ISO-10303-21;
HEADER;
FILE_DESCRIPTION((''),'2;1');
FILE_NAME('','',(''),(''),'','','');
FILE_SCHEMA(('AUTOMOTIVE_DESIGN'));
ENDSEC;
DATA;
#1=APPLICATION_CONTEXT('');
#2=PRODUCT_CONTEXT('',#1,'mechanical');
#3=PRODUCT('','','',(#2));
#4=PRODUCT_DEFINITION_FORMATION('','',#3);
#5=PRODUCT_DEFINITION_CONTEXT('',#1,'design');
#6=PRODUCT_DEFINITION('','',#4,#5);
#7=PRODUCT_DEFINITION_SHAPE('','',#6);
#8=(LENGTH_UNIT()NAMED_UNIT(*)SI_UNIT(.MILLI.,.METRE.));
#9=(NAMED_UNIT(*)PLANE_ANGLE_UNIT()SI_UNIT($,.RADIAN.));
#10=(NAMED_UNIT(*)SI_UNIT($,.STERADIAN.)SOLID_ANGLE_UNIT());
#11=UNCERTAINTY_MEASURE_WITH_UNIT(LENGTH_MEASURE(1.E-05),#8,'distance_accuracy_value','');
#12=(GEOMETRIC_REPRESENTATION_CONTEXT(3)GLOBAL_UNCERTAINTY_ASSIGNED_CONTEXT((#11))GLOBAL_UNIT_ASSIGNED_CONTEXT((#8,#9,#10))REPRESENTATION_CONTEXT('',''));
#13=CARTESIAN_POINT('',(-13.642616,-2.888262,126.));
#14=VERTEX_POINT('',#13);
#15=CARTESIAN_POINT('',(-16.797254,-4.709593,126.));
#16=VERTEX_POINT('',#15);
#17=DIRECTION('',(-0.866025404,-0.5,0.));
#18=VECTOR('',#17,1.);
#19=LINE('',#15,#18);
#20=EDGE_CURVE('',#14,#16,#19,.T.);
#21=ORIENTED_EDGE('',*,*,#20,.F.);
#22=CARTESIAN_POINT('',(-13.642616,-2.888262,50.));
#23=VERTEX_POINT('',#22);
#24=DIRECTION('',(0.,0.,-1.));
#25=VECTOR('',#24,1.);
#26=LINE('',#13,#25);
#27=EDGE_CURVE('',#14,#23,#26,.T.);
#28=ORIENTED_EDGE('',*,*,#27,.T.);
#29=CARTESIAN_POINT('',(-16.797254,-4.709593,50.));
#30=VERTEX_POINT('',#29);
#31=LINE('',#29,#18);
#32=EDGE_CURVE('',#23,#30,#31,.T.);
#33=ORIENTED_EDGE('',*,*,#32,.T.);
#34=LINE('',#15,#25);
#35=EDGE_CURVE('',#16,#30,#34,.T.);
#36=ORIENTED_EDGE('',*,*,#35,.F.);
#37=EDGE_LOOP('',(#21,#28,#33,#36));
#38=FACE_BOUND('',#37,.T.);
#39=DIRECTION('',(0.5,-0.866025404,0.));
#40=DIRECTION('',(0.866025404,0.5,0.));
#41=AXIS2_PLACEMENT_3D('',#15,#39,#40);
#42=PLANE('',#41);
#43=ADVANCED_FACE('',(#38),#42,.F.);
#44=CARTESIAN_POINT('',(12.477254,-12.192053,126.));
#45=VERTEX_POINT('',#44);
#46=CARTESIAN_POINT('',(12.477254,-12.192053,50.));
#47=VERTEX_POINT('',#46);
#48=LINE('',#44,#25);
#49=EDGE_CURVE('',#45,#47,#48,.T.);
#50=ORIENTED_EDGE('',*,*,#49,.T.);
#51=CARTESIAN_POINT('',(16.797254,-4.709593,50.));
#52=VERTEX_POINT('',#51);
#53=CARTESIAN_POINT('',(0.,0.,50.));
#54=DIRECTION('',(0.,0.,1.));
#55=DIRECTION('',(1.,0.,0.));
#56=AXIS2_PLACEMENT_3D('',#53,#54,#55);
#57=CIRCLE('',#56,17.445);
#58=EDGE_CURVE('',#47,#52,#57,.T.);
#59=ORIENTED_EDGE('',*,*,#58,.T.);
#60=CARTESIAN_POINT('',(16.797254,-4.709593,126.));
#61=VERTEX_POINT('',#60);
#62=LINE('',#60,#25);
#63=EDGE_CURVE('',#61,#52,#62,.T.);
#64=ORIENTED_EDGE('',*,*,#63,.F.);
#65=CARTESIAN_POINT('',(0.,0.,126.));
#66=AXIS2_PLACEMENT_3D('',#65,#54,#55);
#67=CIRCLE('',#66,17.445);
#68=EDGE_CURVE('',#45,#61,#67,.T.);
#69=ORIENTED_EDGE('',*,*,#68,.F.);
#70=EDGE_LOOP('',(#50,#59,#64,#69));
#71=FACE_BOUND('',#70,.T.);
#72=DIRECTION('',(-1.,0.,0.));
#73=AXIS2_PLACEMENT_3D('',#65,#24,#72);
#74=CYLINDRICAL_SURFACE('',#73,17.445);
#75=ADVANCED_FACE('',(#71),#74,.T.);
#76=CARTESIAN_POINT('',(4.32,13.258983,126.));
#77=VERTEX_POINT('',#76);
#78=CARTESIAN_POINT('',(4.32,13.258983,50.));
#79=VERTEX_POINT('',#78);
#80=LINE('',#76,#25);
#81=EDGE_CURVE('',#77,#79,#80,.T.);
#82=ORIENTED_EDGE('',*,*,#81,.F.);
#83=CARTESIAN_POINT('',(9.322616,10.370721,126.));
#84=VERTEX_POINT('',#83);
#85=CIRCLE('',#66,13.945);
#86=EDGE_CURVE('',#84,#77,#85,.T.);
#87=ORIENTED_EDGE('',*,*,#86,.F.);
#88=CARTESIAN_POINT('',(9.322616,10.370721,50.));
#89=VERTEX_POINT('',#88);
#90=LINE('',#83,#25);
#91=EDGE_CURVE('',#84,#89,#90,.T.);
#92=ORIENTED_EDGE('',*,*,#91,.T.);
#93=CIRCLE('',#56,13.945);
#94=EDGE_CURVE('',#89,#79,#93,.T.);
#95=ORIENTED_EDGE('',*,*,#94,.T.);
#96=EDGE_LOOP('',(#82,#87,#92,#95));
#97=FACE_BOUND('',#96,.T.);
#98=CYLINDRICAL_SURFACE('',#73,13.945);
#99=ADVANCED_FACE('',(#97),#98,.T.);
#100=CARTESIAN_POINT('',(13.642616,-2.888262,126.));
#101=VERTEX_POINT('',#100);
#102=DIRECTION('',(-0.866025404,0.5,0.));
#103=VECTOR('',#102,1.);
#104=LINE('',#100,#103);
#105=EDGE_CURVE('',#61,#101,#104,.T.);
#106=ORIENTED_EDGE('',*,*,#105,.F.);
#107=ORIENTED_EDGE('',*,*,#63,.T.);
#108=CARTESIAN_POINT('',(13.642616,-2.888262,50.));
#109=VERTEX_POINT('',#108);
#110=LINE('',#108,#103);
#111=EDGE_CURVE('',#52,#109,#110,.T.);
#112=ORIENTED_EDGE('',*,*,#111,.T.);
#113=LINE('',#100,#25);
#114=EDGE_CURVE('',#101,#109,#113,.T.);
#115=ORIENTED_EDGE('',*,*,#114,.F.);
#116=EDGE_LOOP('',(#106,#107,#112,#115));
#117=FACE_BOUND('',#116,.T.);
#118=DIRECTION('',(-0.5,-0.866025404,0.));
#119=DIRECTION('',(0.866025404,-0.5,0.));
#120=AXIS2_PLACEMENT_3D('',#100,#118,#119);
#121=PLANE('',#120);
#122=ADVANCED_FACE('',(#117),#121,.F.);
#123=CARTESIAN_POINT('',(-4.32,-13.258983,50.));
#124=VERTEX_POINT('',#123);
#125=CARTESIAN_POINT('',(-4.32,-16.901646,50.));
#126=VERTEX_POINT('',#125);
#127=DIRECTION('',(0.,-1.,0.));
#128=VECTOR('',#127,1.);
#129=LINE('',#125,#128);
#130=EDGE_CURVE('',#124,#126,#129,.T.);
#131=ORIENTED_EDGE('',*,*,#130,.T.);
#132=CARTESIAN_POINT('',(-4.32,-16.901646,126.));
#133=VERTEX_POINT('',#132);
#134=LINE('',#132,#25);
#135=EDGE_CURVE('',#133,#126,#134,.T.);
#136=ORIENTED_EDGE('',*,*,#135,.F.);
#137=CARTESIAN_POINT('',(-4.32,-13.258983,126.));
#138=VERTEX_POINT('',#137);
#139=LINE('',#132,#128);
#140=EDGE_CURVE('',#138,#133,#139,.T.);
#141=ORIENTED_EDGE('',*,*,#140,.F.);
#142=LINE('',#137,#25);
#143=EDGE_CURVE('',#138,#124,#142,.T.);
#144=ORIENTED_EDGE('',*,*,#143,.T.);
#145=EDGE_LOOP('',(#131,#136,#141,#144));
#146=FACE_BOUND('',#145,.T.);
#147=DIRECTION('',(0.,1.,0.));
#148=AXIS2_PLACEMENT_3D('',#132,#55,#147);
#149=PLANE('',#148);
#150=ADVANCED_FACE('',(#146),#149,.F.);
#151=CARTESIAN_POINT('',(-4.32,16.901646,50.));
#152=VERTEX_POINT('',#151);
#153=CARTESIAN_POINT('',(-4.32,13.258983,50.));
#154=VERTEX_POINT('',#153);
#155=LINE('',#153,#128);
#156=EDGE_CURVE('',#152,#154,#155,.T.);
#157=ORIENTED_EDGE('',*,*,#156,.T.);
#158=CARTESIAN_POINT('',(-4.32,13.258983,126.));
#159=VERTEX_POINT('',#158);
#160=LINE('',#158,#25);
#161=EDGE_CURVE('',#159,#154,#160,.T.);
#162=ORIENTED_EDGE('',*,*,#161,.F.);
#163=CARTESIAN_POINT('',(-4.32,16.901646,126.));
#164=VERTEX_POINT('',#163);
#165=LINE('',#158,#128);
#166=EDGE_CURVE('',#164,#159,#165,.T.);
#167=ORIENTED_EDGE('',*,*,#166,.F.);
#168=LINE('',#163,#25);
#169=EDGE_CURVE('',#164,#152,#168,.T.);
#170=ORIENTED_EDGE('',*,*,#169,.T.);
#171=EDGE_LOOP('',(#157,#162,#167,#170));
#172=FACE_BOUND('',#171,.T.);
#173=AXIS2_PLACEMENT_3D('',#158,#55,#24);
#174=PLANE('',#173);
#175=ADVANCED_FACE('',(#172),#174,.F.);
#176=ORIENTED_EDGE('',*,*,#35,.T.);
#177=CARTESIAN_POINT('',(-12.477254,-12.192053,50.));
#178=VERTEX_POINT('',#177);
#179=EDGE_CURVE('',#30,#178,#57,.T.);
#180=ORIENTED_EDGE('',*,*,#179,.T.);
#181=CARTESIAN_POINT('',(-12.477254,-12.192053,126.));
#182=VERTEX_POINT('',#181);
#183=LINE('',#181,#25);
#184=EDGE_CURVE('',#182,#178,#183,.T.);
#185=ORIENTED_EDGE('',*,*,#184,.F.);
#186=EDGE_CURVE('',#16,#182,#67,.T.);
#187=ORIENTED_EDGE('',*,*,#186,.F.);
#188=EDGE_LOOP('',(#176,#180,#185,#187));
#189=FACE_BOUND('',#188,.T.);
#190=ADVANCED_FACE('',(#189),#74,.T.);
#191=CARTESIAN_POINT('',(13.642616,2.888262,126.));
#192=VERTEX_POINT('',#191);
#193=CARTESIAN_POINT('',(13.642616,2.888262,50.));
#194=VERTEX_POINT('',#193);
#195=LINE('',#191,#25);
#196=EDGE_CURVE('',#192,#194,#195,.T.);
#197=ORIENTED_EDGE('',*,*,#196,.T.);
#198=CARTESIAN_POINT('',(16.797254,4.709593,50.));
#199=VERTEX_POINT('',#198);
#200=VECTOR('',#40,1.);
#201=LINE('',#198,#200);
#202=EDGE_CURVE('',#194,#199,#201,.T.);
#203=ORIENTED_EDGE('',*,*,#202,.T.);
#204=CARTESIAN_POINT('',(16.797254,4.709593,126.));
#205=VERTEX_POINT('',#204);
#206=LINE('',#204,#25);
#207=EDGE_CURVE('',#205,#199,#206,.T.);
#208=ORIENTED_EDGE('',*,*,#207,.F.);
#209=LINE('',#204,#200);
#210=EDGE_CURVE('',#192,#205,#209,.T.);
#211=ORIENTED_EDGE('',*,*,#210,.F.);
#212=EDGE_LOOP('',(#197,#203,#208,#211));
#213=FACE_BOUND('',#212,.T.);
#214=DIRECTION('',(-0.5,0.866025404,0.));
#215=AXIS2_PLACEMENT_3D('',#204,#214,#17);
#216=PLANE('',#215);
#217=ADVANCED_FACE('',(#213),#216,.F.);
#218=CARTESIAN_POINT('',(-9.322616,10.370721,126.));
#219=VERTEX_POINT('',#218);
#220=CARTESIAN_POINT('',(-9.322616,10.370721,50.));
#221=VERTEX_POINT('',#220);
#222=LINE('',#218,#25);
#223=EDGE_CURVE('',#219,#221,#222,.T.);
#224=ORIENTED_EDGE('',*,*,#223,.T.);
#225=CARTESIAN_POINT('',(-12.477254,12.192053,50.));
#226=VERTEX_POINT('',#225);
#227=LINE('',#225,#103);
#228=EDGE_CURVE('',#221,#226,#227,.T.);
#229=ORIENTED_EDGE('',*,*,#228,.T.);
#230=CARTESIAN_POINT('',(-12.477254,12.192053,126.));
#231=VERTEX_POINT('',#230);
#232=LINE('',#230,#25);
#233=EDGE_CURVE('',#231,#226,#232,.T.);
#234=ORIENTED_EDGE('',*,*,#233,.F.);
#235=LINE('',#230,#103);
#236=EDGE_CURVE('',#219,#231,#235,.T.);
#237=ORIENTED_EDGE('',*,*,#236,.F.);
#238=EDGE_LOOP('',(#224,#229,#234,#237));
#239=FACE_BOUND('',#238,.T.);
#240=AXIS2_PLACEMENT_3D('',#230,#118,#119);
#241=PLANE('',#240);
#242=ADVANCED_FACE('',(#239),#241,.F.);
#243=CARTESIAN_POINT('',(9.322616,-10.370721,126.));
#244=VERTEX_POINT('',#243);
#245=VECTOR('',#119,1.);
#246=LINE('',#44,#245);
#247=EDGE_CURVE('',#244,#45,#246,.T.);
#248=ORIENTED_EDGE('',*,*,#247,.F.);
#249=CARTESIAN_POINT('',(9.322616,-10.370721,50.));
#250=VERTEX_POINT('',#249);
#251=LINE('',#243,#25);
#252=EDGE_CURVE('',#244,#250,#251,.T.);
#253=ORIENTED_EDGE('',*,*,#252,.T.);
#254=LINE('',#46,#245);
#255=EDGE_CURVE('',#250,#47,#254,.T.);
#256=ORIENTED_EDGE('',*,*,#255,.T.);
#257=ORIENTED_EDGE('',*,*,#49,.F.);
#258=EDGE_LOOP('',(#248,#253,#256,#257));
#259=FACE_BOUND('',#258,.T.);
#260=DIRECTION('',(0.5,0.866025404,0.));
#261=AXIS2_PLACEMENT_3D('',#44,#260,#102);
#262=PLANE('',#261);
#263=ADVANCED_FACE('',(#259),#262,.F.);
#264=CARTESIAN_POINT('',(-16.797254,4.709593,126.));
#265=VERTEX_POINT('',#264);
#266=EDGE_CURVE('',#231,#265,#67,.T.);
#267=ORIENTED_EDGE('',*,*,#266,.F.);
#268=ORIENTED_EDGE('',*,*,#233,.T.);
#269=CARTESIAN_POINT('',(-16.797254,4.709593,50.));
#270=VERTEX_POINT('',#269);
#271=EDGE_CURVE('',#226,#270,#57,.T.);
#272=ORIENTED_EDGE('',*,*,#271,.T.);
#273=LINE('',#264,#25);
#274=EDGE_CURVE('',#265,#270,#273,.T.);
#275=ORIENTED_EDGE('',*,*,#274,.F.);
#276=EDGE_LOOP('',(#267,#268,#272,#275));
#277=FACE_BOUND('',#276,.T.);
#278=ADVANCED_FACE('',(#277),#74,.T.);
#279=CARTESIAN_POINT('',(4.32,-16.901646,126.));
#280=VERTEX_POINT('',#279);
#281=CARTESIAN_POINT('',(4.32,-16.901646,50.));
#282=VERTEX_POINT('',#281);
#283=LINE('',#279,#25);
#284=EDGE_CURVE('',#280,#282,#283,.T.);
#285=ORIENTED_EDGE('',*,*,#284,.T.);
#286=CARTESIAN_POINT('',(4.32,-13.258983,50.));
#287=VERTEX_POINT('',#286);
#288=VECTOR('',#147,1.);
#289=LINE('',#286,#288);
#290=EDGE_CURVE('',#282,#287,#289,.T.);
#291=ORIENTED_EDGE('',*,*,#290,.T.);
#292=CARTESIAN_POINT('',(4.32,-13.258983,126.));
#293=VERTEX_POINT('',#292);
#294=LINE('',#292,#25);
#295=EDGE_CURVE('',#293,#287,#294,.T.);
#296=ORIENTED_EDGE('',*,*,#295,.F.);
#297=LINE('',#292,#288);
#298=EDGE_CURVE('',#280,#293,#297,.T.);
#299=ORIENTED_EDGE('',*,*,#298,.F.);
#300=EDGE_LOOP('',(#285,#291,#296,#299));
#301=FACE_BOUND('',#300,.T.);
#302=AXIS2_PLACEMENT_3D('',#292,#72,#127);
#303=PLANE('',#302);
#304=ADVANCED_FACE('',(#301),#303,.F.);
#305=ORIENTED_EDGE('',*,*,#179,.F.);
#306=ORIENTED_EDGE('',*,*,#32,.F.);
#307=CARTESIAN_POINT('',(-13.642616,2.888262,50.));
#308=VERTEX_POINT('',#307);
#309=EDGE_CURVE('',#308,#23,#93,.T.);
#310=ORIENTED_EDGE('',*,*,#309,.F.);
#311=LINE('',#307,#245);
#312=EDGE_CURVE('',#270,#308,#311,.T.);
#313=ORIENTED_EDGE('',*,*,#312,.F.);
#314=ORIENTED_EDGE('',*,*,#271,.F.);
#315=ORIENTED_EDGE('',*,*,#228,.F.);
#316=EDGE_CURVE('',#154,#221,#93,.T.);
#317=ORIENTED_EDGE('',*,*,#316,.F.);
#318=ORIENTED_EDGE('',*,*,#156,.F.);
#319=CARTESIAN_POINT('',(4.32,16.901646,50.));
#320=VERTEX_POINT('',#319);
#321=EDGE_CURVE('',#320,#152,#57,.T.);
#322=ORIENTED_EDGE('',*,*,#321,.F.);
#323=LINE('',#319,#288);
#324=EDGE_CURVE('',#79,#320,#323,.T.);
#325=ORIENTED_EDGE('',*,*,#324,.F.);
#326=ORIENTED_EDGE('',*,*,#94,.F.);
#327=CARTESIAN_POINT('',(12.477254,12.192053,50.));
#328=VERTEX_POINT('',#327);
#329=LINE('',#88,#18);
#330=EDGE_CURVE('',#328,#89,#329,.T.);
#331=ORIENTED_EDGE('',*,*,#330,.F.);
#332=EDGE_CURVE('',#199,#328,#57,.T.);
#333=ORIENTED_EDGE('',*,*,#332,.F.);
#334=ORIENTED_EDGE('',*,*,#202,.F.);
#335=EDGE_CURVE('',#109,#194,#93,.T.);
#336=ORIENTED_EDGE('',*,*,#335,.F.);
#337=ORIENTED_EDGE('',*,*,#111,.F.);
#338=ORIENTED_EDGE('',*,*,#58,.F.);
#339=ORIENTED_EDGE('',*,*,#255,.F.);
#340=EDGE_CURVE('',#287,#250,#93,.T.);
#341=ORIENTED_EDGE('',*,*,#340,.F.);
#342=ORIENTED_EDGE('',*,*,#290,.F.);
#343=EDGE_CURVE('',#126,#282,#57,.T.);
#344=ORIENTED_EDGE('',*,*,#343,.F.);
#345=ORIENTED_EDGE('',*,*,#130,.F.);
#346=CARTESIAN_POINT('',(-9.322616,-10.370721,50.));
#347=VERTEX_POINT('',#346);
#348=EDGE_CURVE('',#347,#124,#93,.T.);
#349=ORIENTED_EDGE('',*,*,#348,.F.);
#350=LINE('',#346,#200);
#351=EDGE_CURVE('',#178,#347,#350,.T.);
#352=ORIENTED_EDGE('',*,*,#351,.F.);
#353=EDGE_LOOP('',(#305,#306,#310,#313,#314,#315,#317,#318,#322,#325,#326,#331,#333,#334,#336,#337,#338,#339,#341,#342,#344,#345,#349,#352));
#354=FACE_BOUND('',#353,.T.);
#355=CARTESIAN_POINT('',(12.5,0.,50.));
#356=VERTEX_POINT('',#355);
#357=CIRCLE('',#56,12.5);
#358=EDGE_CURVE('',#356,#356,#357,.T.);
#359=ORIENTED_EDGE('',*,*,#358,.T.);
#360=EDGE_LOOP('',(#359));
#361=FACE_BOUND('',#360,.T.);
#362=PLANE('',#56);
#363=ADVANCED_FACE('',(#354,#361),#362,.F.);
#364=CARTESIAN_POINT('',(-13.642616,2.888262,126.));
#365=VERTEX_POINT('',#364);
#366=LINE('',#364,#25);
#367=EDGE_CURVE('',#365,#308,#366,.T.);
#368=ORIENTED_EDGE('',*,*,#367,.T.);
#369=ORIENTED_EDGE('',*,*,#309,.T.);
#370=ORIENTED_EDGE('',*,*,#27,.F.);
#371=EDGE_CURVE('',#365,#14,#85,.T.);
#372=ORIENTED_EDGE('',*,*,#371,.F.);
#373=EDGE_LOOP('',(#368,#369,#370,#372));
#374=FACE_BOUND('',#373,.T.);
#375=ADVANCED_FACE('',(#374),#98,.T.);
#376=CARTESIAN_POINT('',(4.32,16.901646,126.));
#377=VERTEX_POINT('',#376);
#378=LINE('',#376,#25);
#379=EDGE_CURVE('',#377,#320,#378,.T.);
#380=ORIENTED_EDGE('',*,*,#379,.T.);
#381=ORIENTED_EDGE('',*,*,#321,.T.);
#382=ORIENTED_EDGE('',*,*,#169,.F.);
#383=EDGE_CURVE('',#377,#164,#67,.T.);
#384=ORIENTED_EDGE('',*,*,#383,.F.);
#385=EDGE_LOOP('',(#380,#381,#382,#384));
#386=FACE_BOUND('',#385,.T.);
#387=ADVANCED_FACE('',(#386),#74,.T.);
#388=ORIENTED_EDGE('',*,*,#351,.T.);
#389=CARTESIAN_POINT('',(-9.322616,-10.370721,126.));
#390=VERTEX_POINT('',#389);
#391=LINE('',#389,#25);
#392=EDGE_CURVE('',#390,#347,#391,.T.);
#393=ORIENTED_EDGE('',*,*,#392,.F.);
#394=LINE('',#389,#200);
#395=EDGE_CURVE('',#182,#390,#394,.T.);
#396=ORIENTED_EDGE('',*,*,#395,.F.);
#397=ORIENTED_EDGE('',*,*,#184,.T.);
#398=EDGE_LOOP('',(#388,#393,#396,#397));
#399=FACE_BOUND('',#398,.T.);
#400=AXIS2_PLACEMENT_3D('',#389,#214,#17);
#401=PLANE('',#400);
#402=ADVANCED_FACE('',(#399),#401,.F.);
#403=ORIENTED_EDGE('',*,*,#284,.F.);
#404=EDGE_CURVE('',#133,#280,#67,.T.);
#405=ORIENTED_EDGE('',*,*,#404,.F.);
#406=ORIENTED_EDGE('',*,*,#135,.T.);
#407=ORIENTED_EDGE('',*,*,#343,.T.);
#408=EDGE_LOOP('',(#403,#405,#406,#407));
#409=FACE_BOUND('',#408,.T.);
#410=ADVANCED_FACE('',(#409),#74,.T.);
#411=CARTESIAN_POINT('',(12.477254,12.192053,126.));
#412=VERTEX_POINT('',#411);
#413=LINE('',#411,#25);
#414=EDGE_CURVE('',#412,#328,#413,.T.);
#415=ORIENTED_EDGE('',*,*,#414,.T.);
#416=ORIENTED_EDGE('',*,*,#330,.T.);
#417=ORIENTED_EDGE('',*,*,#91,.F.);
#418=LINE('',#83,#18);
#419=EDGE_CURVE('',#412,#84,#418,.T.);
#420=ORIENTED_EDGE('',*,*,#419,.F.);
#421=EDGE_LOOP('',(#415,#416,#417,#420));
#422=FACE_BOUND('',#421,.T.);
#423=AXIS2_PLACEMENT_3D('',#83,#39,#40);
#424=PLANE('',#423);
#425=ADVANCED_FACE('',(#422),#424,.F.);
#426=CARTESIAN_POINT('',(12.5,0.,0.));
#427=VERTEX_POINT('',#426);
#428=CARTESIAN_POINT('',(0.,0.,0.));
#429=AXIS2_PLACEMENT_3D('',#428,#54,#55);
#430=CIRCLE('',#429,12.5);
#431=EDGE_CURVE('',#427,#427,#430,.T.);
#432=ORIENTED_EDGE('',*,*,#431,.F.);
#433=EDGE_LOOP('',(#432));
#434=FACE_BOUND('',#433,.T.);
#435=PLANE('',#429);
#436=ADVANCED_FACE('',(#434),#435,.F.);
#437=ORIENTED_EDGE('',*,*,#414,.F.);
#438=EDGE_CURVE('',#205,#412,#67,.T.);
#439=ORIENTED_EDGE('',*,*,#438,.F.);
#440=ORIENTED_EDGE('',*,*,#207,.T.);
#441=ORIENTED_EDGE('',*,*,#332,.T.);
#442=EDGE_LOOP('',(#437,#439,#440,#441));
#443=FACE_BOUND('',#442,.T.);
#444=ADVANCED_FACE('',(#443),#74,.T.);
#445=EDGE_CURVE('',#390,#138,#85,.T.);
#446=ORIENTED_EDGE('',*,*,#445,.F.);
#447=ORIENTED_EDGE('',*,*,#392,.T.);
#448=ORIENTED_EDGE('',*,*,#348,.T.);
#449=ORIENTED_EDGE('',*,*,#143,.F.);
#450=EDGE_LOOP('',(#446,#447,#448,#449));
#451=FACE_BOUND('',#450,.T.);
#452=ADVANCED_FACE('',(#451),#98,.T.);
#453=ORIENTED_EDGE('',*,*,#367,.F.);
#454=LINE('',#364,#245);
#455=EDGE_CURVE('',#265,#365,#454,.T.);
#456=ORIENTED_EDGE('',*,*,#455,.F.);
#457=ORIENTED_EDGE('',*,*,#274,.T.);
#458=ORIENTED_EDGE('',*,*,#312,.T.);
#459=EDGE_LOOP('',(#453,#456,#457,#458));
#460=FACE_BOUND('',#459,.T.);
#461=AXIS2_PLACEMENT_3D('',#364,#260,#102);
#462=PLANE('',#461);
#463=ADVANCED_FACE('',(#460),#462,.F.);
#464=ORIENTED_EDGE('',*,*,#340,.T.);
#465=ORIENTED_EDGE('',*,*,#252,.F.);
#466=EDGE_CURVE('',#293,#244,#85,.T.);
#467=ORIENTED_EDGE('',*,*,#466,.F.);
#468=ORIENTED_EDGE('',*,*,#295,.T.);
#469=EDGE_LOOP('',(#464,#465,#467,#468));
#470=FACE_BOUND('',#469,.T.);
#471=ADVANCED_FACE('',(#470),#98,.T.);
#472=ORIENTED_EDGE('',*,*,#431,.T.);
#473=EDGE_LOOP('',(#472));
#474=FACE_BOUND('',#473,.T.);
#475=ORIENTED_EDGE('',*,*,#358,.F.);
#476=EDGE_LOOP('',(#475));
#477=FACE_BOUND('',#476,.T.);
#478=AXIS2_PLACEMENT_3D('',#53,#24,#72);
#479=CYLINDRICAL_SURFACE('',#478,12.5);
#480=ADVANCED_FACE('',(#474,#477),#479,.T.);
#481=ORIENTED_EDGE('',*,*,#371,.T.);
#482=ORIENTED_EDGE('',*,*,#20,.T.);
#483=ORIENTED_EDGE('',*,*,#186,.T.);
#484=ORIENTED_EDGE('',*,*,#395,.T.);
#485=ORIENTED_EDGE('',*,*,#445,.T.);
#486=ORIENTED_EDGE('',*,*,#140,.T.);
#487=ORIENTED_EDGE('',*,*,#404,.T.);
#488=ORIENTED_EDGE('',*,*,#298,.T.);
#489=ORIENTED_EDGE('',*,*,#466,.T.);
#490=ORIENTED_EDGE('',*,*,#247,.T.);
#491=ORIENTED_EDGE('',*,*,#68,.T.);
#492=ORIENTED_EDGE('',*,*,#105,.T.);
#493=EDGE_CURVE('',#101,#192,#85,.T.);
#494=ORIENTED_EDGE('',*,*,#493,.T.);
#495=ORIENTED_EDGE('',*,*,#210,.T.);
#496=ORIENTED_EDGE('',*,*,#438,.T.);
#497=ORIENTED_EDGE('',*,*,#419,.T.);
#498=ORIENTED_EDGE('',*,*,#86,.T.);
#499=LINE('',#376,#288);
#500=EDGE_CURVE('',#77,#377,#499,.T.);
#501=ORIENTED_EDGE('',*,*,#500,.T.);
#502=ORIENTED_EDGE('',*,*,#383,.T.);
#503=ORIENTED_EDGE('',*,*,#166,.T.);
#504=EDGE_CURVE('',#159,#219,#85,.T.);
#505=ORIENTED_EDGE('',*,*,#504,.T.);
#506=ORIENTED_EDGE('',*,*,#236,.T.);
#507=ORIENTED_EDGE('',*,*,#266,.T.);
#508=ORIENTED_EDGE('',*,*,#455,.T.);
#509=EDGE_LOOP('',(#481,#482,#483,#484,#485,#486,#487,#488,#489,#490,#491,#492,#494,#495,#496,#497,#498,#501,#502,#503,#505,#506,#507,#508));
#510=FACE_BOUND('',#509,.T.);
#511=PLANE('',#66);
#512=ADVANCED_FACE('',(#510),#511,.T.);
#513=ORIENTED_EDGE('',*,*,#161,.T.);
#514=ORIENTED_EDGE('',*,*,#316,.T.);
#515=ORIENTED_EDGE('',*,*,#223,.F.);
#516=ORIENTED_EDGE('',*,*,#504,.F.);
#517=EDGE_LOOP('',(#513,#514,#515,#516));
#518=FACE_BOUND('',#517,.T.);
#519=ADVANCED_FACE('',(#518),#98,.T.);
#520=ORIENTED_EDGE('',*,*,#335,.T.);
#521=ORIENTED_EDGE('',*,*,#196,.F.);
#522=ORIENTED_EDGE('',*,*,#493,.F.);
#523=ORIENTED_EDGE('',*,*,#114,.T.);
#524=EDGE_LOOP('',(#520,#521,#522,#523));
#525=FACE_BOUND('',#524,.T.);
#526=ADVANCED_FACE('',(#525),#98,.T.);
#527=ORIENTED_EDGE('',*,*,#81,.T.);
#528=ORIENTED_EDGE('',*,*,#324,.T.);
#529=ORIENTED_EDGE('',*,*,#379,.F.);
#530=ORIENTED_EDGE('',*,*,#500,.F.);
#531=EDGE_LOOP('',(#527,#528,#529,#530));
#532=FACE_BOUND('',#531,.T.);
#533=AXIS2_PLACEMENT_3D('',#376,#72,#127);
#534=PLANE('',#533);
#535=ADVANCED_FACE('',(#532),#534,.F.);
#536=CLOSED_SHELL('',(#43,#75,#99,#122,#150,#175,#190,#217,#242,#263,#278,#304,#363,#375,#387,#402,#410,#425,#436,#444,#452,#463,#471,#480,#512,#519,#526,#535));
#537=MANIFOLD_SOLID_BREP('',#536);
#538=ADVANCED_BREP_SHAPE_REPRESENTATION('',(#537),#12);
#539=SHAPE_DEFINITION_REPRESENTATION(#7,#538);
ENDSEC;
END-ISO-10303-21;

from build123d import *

# Parameters (mm, degrees)
SKETCH1_R           = 12.5
BOSS_EXTRUDE1_DEPTH = 50
BOSS_EXTRUDE2_DEPTH = 76


with BuildPart() as part:
    # Sketch1 → Boss-Extrude1 (new body)
    with BuildSketch(Plane.XY):
        Circle(SKETCH1_R)
    extrude(amount=BOSS_EXTRUDE1_DEPTH)

    # Sketch2 → Boss-Extrude2 (add)
    with BuildSketch(Plane.XY.offset(50)):
        with BuildLine():
            Line((9.322615937, 10.370721146), (12.477254481, 12.192052559))
            ThreePointArc((12.477254481, 12.192052559), (15.107813169, 8.7225), (16.797254481, 4.709593071))
            Line((16.797254481, 4.709593071), (13.642615937, 2.888261658))
            ThreePointArc((13.642615937, 2.888261658), (13.945, 0), (13.642615937, -2.888261658))
            Line((13.642615937, -2.888261658), (16.797254481, -4.709593071))
            ThreePointArc((16.797254481, -4.709593071), (15.107813169, -8.7225), (12.477254481, -12.192052559))
            Line((12.477254481, -12.192052559), (9.322615937, -10.370721146))
            ThreePointArc((9.322615937, -10.370721146), (6.9725, -12.076724256), (4.32, -13.258982804))
            Line((4.32, -13.258982804), (4.32, -16.90164563))
            ThreePointArc((4.32, -16.90164563), (0, -17.445), (-4.32, -16.90164563))
            Line((-4.32, -16.90164563), (-4.32, -13.258982804))
            ThreePointArc((-4.32, -13.258982804), (-6.9725, -12.076724256), (-9.322615937, -10.370721146))
            Line((-9.322615937, -10.370721146), (-12.477254481, -12.192052559))
            ThreePointArc((-12.477254481, -12.192052559), (-15.107813169, -8.7225), (-16.797254481, -4.709593071))
            Line((-16.797254481, -4.709593071), (-13.642615937, -2.888261658))
            ThreePointArc((-13.642615937, -2.888261658), (-13.945, 0), (-13.642615937, 2.888261658))
            Line((-13.642615937, 2.888261658), (-16.797254481, 4.709593071))
            ThreePointArc((-16.797254481, 4.709593071), (-15.107813169, 8.7225), (-12.477254481, 12.192052559))
            Line((-12.477254481, 12.192052559), (-9.322615937, 10.370721146))
            ThreePointArc((-9.322615937, 10.370721146), (-6.9725, 12.076724256), (-4.32, 13.258982804))
            Line((-4.32, 13.258982804), (-4.32, 16.90164563))
            ThreePointArc((-4.32, 16.90164563), (0, 17.445), (4.32, 16.90164563))
            Line((4.32, 16.90164563), (4.32, 13.258982804))
            ThreePointArc((4.32, 13.258982804), (6.9725, 12.076724256), (9.322615937, 10.370721146))
        make_face()
    extrude(amount=BOSS_EXTRUDE2_DEPTH)


solid = part.part
